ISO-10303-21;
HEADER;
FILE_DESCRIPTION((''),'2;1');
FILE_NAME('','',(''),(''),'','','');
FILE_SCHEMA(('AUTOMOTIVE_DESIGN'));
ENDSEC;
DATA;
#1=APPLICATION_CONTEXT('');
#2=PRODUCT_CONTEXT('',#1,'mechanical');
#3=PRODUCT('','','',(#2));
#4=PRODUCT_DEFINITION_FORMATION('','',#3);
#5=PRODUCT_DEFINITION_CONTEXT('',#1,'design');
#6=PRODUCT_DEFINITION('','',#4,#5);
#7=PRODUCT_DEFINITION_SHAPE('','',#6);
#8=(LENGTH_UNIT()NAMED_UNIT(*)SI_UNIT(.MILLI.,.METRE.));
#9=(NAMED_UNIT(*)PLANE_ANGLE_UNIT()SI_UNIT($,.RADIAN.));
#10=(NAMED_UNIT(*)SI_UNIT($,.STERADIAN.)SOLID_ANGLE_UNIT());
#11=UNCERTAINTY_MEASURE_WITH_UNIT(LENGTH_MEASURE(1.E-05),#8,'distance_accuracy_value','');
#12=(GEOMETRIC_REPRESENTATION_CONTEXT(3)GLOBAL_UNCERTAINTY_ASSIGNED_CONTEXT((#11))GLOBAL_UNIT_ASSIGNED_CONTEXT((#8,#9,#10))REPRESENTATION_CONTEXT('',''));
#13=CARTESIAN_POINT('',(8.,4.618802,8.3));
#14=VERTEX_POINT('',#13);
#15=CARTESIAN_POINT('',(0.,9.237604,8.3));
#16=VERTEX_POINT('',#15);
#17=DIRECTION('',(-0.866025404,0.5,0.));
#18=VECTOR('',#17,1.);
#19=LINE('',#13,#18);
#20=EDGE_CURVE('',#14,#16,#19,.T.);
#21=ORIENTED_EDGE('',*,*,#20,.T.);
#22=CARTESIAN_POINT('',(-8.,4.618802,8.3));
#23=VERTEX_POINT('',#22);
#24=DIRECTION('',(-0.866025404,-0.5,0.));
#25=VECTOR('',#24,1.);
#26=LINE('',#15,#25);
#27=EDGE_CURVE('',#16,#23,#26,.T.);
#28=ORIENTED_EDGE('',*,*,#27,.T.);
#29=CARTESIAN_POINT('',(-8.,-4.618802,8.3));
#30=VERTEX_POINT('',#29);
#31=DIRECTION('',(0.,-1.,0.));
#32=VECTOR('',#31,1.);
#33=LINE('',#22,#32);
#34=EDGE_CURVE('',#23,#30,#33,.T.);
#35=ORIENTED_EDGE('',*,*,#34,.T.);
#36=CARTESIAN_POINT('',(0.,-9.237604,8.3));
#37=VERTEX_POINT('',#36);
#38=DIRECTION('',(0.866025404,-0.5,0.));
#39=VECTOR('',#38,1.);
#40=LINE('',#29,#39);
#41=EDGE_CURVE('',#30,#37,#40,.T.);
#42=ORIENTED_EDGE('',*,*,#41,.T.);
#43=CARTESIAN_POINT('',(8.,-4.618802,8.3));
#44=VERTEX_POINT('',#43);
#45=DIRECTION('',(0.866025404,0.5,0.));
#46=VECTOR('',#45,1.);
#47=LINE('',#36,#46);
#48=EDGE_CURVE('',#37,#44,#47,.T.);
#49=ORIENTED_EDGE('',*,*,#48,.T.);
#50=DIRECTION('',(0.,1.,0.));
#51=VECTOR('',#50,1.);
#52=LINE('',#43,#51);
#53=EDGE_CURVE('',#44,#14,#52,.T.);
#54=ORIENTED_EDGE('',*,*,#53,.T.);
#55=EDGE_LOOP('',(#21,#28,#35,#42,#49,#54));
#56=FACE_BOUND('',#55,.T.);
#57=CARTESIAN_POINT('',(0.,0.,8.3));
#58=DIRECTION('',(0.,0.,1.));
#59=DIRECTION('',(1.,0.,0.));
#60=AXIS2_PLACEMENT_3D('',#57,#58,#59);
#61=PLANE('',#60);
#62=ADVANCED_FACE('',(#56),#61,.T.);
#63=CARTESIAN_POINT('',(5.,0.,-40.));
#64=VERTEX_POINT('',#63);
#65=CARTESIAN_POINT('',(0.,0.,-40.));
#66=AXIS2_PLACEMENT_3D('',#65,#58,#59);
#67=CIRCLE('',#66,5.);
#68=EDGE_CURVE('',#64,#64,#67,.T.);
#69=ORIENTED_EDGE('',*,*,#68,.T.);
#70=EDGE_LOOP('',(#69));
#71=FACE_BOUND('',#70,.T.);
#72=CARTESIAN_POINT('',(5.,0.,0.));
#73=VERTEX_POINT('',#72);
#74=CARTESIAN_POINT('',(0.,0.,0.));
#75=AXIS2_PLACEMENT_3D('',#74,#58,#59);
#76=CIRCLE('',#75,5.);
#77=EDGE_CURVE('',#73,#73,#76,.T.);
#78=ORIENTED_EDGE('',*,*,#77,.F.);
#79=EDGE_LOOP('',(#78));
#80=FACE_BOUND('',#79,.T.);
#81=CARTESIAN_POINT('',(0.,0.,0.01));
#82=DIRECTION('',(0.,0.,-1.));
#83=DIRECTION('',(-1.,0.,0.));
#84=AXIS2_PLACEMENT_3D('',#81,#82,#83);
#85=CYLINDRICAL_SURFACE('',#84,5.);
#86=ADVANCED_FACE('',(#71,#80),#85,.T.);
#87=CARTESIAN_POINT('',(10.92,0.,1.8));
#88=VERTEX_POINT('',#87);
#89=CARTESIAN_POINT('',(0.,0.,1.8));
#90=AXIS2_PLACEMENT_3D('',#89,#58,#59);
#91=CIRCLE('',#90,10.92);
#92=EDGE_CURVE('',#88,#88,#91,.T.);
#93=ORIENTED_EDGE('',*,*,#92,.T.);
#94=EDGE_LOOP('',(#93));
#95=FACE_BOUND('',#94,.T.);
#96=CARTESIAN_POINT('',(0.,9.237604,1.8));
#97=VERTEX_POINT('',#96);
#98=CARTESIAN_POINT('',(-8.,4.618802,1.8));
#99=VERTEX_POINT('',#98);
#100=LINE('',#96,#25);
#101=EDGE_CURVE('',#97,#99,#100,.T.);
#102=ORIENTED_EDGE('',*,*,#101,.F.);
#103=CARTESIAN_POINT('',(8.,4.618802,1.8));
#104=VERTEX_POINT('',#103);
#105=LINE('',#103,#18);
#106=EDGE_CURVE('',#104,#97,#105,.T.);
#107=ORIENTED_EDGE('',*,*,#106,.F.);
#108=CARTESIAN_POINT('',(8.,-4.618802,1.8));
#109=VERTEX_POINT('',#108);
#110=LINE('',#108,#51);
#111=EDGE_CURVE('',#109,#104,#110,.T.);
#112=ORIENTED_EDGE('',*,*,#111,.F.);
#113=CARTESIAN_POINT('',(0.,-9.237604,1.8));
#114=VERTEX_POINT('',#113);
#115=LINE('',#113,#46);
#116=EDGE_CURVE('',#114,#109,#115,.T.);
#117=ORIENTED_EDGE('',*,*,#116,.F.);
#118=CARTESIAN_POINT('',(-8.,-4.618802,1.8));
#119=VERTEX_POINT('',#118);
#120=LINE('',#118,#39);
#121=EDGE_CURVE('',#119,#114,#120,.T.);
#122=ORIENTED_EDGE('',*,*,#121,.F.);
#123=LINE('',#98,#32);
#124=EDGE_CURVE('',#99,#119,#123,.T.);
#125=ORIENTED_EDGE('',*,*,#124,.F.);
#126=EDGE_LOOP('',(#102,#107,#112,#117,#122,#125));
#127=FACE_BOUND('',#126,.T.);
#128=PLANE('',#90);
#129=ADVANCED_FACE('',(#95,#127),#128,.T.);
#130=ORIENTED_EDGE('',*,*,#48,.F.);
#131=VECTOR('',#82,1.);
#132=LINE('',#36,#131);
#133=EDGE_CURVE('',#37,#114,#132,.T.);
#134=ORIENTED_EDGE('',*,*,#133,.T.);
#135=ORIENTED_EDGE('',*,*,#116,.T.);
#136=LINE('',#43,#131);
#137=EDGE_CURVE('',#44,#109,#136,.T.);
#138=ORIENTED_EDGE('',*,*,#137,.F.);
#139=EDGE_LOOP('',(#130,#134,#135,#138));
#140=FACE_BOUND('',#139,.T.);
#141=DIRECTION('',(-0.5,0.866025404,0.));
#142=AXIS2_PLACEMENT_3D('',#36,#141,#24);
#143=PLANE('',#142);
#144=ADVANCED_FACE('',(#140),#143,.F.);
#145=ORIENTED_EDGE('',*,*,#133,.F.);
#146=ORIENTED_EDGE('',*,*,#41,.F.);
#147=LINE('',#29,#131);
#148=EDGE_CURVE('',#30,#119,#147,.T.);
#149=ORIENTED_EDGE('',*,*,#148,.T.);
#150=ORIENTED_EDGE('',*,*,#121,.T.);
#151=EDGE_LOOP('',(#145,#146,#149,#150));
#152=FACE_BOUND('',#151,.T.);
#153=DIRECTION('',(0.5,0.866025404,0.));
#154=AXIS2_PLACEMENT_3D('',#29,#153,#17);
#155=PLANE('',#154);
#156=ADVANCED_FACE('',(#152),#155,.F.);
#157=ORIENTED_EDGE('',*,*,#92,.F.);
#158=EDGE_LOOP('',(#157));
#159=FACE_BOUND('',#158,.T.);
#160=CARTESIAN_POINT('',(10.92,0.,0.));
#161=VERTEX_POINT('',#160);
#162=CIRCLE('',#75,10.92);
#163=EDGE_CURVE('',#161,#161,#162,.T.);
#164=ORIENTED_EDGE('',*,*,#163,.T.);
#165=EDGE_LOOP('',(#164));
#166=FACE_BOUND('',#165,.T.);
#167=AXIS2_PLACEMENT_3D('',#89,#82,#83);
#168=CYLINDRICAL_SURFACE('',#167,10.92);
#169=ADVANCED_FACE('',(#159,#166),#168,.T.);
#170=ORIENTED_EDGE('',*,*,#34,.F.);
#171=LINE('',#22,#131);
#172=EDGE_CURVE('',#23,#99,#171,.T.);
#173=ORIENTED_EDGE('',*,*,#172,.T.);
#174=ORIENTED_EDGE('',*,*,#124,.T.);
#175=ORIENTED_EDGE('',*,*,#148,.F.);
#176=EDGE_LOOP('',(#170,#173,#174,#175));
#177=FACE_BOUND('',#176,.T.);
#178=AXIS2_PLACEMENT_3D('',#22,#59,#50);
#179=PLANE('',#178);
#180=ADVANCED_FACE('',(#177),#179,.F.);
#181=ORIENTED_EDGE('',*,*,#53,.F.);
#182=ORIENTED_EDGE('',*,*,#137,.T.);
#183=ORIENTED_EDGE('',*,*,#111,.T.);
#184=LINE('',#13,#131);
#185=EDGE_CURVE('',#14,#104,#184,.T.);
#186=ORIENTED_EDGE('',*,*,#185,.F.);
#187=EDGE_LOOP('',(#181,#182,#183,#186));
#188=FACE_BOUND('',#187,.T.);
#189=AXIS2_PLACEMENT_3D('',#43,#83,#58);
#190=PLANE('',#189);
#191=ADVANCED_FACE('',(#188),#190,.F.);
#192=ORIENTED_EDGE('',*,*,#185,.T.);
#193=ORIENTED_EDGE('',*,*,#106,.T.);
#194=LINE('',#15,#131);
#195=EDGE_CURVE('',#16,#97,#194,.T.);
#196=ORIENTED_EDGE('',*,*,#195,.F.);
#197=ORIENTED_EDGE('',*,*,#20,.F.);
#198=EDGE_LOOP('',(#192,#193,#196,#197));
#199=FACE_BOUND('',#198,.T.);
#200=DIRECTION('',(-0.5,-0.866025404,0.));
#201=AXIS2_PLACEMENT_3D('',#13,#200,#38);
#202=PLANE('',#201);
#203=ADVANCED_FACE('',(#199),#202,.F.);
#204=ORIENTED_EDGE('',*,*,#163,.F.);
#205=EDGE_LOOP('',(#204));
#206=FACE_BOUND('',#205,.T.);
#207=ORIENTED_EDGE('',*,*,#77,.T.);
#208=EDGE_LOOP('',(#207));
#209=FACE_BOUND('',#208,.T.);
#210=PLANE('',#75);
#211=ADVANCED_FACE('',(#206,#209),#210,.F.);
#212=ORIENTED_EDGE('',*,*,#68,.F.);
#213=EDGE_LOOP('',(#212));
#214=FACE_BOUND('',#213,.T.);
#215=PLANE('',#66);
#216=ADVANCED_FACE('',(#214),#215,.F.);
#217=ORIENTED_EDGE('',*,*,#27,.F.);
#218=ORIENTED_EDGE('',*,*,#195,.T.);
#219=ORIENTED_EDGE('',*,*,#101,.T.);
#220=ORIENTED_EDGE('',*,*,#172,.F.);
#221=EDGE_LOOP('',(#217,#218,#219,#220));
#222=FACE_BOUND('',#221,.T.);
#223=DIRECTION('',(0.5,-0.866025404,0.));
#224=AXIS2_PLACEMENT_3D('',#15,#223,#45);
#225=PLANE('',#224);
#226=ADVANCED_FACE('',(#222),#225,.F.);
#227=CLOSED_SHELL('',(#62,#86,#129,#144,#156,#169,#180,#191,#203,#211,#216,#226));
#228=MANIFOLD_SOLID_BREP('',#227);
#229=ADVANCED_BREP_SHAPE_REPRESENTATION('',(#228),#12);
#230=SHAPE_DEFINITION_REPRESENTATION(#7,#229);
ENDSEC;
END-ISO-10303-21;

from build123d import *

# Parameters (mm, degrees)
EXTRUDE_SKETCH_1_R = 10.92
EXTRUDE_1_DEPTH    = 1.8
EXTRUDE_START      = 1.8
EXTRUDE_2_DEPTH    = 6.5
EXTRUDE_START_2    = -40
EXTRUDE_SKETCH_3_R = 5
EXTRUDE_3_DEPTH    = 40.01


with BuildPart() as part:
    # Extrude sketch 1 → Extrude 1 (new body)
    with BuildSketch(Plane.XY):
        Circle(EXTRUDE_SKETCH_1_R)
    extrude(amount=EXTRUDE_1_DEPTH)


with BuildPart() as body_2:
    # Extrude sketch 2 → Extrude 2 (new body)
    with BuildSketch(Plane.XY.offset(EXTRUDE_START)):
        Polygon((8, 4.618802154), (0, 9.237604307), (-8, 4.618802154), (-8, -4.618802154), (0, -9.237604307), (8, -4.618802154), align=None)
    extrude(amount=EXTRUDE_2_DEPTH)


with BuildPart() as body_3:
    # Extrude sketch 3 → Extrude 3 (new body)
    with BuildSketch(Plane.XY.offset(EXTRUDE_START_2)):
        Circle(EXTRUDE_SKETCH_3_R)
    extrude(amount=EXTRUDE_3_DEPTH)

    # Combine (weld / assembly of features): union body 2, part
    add(body_2.part)
    add(part.part)


solid = body_3.part
